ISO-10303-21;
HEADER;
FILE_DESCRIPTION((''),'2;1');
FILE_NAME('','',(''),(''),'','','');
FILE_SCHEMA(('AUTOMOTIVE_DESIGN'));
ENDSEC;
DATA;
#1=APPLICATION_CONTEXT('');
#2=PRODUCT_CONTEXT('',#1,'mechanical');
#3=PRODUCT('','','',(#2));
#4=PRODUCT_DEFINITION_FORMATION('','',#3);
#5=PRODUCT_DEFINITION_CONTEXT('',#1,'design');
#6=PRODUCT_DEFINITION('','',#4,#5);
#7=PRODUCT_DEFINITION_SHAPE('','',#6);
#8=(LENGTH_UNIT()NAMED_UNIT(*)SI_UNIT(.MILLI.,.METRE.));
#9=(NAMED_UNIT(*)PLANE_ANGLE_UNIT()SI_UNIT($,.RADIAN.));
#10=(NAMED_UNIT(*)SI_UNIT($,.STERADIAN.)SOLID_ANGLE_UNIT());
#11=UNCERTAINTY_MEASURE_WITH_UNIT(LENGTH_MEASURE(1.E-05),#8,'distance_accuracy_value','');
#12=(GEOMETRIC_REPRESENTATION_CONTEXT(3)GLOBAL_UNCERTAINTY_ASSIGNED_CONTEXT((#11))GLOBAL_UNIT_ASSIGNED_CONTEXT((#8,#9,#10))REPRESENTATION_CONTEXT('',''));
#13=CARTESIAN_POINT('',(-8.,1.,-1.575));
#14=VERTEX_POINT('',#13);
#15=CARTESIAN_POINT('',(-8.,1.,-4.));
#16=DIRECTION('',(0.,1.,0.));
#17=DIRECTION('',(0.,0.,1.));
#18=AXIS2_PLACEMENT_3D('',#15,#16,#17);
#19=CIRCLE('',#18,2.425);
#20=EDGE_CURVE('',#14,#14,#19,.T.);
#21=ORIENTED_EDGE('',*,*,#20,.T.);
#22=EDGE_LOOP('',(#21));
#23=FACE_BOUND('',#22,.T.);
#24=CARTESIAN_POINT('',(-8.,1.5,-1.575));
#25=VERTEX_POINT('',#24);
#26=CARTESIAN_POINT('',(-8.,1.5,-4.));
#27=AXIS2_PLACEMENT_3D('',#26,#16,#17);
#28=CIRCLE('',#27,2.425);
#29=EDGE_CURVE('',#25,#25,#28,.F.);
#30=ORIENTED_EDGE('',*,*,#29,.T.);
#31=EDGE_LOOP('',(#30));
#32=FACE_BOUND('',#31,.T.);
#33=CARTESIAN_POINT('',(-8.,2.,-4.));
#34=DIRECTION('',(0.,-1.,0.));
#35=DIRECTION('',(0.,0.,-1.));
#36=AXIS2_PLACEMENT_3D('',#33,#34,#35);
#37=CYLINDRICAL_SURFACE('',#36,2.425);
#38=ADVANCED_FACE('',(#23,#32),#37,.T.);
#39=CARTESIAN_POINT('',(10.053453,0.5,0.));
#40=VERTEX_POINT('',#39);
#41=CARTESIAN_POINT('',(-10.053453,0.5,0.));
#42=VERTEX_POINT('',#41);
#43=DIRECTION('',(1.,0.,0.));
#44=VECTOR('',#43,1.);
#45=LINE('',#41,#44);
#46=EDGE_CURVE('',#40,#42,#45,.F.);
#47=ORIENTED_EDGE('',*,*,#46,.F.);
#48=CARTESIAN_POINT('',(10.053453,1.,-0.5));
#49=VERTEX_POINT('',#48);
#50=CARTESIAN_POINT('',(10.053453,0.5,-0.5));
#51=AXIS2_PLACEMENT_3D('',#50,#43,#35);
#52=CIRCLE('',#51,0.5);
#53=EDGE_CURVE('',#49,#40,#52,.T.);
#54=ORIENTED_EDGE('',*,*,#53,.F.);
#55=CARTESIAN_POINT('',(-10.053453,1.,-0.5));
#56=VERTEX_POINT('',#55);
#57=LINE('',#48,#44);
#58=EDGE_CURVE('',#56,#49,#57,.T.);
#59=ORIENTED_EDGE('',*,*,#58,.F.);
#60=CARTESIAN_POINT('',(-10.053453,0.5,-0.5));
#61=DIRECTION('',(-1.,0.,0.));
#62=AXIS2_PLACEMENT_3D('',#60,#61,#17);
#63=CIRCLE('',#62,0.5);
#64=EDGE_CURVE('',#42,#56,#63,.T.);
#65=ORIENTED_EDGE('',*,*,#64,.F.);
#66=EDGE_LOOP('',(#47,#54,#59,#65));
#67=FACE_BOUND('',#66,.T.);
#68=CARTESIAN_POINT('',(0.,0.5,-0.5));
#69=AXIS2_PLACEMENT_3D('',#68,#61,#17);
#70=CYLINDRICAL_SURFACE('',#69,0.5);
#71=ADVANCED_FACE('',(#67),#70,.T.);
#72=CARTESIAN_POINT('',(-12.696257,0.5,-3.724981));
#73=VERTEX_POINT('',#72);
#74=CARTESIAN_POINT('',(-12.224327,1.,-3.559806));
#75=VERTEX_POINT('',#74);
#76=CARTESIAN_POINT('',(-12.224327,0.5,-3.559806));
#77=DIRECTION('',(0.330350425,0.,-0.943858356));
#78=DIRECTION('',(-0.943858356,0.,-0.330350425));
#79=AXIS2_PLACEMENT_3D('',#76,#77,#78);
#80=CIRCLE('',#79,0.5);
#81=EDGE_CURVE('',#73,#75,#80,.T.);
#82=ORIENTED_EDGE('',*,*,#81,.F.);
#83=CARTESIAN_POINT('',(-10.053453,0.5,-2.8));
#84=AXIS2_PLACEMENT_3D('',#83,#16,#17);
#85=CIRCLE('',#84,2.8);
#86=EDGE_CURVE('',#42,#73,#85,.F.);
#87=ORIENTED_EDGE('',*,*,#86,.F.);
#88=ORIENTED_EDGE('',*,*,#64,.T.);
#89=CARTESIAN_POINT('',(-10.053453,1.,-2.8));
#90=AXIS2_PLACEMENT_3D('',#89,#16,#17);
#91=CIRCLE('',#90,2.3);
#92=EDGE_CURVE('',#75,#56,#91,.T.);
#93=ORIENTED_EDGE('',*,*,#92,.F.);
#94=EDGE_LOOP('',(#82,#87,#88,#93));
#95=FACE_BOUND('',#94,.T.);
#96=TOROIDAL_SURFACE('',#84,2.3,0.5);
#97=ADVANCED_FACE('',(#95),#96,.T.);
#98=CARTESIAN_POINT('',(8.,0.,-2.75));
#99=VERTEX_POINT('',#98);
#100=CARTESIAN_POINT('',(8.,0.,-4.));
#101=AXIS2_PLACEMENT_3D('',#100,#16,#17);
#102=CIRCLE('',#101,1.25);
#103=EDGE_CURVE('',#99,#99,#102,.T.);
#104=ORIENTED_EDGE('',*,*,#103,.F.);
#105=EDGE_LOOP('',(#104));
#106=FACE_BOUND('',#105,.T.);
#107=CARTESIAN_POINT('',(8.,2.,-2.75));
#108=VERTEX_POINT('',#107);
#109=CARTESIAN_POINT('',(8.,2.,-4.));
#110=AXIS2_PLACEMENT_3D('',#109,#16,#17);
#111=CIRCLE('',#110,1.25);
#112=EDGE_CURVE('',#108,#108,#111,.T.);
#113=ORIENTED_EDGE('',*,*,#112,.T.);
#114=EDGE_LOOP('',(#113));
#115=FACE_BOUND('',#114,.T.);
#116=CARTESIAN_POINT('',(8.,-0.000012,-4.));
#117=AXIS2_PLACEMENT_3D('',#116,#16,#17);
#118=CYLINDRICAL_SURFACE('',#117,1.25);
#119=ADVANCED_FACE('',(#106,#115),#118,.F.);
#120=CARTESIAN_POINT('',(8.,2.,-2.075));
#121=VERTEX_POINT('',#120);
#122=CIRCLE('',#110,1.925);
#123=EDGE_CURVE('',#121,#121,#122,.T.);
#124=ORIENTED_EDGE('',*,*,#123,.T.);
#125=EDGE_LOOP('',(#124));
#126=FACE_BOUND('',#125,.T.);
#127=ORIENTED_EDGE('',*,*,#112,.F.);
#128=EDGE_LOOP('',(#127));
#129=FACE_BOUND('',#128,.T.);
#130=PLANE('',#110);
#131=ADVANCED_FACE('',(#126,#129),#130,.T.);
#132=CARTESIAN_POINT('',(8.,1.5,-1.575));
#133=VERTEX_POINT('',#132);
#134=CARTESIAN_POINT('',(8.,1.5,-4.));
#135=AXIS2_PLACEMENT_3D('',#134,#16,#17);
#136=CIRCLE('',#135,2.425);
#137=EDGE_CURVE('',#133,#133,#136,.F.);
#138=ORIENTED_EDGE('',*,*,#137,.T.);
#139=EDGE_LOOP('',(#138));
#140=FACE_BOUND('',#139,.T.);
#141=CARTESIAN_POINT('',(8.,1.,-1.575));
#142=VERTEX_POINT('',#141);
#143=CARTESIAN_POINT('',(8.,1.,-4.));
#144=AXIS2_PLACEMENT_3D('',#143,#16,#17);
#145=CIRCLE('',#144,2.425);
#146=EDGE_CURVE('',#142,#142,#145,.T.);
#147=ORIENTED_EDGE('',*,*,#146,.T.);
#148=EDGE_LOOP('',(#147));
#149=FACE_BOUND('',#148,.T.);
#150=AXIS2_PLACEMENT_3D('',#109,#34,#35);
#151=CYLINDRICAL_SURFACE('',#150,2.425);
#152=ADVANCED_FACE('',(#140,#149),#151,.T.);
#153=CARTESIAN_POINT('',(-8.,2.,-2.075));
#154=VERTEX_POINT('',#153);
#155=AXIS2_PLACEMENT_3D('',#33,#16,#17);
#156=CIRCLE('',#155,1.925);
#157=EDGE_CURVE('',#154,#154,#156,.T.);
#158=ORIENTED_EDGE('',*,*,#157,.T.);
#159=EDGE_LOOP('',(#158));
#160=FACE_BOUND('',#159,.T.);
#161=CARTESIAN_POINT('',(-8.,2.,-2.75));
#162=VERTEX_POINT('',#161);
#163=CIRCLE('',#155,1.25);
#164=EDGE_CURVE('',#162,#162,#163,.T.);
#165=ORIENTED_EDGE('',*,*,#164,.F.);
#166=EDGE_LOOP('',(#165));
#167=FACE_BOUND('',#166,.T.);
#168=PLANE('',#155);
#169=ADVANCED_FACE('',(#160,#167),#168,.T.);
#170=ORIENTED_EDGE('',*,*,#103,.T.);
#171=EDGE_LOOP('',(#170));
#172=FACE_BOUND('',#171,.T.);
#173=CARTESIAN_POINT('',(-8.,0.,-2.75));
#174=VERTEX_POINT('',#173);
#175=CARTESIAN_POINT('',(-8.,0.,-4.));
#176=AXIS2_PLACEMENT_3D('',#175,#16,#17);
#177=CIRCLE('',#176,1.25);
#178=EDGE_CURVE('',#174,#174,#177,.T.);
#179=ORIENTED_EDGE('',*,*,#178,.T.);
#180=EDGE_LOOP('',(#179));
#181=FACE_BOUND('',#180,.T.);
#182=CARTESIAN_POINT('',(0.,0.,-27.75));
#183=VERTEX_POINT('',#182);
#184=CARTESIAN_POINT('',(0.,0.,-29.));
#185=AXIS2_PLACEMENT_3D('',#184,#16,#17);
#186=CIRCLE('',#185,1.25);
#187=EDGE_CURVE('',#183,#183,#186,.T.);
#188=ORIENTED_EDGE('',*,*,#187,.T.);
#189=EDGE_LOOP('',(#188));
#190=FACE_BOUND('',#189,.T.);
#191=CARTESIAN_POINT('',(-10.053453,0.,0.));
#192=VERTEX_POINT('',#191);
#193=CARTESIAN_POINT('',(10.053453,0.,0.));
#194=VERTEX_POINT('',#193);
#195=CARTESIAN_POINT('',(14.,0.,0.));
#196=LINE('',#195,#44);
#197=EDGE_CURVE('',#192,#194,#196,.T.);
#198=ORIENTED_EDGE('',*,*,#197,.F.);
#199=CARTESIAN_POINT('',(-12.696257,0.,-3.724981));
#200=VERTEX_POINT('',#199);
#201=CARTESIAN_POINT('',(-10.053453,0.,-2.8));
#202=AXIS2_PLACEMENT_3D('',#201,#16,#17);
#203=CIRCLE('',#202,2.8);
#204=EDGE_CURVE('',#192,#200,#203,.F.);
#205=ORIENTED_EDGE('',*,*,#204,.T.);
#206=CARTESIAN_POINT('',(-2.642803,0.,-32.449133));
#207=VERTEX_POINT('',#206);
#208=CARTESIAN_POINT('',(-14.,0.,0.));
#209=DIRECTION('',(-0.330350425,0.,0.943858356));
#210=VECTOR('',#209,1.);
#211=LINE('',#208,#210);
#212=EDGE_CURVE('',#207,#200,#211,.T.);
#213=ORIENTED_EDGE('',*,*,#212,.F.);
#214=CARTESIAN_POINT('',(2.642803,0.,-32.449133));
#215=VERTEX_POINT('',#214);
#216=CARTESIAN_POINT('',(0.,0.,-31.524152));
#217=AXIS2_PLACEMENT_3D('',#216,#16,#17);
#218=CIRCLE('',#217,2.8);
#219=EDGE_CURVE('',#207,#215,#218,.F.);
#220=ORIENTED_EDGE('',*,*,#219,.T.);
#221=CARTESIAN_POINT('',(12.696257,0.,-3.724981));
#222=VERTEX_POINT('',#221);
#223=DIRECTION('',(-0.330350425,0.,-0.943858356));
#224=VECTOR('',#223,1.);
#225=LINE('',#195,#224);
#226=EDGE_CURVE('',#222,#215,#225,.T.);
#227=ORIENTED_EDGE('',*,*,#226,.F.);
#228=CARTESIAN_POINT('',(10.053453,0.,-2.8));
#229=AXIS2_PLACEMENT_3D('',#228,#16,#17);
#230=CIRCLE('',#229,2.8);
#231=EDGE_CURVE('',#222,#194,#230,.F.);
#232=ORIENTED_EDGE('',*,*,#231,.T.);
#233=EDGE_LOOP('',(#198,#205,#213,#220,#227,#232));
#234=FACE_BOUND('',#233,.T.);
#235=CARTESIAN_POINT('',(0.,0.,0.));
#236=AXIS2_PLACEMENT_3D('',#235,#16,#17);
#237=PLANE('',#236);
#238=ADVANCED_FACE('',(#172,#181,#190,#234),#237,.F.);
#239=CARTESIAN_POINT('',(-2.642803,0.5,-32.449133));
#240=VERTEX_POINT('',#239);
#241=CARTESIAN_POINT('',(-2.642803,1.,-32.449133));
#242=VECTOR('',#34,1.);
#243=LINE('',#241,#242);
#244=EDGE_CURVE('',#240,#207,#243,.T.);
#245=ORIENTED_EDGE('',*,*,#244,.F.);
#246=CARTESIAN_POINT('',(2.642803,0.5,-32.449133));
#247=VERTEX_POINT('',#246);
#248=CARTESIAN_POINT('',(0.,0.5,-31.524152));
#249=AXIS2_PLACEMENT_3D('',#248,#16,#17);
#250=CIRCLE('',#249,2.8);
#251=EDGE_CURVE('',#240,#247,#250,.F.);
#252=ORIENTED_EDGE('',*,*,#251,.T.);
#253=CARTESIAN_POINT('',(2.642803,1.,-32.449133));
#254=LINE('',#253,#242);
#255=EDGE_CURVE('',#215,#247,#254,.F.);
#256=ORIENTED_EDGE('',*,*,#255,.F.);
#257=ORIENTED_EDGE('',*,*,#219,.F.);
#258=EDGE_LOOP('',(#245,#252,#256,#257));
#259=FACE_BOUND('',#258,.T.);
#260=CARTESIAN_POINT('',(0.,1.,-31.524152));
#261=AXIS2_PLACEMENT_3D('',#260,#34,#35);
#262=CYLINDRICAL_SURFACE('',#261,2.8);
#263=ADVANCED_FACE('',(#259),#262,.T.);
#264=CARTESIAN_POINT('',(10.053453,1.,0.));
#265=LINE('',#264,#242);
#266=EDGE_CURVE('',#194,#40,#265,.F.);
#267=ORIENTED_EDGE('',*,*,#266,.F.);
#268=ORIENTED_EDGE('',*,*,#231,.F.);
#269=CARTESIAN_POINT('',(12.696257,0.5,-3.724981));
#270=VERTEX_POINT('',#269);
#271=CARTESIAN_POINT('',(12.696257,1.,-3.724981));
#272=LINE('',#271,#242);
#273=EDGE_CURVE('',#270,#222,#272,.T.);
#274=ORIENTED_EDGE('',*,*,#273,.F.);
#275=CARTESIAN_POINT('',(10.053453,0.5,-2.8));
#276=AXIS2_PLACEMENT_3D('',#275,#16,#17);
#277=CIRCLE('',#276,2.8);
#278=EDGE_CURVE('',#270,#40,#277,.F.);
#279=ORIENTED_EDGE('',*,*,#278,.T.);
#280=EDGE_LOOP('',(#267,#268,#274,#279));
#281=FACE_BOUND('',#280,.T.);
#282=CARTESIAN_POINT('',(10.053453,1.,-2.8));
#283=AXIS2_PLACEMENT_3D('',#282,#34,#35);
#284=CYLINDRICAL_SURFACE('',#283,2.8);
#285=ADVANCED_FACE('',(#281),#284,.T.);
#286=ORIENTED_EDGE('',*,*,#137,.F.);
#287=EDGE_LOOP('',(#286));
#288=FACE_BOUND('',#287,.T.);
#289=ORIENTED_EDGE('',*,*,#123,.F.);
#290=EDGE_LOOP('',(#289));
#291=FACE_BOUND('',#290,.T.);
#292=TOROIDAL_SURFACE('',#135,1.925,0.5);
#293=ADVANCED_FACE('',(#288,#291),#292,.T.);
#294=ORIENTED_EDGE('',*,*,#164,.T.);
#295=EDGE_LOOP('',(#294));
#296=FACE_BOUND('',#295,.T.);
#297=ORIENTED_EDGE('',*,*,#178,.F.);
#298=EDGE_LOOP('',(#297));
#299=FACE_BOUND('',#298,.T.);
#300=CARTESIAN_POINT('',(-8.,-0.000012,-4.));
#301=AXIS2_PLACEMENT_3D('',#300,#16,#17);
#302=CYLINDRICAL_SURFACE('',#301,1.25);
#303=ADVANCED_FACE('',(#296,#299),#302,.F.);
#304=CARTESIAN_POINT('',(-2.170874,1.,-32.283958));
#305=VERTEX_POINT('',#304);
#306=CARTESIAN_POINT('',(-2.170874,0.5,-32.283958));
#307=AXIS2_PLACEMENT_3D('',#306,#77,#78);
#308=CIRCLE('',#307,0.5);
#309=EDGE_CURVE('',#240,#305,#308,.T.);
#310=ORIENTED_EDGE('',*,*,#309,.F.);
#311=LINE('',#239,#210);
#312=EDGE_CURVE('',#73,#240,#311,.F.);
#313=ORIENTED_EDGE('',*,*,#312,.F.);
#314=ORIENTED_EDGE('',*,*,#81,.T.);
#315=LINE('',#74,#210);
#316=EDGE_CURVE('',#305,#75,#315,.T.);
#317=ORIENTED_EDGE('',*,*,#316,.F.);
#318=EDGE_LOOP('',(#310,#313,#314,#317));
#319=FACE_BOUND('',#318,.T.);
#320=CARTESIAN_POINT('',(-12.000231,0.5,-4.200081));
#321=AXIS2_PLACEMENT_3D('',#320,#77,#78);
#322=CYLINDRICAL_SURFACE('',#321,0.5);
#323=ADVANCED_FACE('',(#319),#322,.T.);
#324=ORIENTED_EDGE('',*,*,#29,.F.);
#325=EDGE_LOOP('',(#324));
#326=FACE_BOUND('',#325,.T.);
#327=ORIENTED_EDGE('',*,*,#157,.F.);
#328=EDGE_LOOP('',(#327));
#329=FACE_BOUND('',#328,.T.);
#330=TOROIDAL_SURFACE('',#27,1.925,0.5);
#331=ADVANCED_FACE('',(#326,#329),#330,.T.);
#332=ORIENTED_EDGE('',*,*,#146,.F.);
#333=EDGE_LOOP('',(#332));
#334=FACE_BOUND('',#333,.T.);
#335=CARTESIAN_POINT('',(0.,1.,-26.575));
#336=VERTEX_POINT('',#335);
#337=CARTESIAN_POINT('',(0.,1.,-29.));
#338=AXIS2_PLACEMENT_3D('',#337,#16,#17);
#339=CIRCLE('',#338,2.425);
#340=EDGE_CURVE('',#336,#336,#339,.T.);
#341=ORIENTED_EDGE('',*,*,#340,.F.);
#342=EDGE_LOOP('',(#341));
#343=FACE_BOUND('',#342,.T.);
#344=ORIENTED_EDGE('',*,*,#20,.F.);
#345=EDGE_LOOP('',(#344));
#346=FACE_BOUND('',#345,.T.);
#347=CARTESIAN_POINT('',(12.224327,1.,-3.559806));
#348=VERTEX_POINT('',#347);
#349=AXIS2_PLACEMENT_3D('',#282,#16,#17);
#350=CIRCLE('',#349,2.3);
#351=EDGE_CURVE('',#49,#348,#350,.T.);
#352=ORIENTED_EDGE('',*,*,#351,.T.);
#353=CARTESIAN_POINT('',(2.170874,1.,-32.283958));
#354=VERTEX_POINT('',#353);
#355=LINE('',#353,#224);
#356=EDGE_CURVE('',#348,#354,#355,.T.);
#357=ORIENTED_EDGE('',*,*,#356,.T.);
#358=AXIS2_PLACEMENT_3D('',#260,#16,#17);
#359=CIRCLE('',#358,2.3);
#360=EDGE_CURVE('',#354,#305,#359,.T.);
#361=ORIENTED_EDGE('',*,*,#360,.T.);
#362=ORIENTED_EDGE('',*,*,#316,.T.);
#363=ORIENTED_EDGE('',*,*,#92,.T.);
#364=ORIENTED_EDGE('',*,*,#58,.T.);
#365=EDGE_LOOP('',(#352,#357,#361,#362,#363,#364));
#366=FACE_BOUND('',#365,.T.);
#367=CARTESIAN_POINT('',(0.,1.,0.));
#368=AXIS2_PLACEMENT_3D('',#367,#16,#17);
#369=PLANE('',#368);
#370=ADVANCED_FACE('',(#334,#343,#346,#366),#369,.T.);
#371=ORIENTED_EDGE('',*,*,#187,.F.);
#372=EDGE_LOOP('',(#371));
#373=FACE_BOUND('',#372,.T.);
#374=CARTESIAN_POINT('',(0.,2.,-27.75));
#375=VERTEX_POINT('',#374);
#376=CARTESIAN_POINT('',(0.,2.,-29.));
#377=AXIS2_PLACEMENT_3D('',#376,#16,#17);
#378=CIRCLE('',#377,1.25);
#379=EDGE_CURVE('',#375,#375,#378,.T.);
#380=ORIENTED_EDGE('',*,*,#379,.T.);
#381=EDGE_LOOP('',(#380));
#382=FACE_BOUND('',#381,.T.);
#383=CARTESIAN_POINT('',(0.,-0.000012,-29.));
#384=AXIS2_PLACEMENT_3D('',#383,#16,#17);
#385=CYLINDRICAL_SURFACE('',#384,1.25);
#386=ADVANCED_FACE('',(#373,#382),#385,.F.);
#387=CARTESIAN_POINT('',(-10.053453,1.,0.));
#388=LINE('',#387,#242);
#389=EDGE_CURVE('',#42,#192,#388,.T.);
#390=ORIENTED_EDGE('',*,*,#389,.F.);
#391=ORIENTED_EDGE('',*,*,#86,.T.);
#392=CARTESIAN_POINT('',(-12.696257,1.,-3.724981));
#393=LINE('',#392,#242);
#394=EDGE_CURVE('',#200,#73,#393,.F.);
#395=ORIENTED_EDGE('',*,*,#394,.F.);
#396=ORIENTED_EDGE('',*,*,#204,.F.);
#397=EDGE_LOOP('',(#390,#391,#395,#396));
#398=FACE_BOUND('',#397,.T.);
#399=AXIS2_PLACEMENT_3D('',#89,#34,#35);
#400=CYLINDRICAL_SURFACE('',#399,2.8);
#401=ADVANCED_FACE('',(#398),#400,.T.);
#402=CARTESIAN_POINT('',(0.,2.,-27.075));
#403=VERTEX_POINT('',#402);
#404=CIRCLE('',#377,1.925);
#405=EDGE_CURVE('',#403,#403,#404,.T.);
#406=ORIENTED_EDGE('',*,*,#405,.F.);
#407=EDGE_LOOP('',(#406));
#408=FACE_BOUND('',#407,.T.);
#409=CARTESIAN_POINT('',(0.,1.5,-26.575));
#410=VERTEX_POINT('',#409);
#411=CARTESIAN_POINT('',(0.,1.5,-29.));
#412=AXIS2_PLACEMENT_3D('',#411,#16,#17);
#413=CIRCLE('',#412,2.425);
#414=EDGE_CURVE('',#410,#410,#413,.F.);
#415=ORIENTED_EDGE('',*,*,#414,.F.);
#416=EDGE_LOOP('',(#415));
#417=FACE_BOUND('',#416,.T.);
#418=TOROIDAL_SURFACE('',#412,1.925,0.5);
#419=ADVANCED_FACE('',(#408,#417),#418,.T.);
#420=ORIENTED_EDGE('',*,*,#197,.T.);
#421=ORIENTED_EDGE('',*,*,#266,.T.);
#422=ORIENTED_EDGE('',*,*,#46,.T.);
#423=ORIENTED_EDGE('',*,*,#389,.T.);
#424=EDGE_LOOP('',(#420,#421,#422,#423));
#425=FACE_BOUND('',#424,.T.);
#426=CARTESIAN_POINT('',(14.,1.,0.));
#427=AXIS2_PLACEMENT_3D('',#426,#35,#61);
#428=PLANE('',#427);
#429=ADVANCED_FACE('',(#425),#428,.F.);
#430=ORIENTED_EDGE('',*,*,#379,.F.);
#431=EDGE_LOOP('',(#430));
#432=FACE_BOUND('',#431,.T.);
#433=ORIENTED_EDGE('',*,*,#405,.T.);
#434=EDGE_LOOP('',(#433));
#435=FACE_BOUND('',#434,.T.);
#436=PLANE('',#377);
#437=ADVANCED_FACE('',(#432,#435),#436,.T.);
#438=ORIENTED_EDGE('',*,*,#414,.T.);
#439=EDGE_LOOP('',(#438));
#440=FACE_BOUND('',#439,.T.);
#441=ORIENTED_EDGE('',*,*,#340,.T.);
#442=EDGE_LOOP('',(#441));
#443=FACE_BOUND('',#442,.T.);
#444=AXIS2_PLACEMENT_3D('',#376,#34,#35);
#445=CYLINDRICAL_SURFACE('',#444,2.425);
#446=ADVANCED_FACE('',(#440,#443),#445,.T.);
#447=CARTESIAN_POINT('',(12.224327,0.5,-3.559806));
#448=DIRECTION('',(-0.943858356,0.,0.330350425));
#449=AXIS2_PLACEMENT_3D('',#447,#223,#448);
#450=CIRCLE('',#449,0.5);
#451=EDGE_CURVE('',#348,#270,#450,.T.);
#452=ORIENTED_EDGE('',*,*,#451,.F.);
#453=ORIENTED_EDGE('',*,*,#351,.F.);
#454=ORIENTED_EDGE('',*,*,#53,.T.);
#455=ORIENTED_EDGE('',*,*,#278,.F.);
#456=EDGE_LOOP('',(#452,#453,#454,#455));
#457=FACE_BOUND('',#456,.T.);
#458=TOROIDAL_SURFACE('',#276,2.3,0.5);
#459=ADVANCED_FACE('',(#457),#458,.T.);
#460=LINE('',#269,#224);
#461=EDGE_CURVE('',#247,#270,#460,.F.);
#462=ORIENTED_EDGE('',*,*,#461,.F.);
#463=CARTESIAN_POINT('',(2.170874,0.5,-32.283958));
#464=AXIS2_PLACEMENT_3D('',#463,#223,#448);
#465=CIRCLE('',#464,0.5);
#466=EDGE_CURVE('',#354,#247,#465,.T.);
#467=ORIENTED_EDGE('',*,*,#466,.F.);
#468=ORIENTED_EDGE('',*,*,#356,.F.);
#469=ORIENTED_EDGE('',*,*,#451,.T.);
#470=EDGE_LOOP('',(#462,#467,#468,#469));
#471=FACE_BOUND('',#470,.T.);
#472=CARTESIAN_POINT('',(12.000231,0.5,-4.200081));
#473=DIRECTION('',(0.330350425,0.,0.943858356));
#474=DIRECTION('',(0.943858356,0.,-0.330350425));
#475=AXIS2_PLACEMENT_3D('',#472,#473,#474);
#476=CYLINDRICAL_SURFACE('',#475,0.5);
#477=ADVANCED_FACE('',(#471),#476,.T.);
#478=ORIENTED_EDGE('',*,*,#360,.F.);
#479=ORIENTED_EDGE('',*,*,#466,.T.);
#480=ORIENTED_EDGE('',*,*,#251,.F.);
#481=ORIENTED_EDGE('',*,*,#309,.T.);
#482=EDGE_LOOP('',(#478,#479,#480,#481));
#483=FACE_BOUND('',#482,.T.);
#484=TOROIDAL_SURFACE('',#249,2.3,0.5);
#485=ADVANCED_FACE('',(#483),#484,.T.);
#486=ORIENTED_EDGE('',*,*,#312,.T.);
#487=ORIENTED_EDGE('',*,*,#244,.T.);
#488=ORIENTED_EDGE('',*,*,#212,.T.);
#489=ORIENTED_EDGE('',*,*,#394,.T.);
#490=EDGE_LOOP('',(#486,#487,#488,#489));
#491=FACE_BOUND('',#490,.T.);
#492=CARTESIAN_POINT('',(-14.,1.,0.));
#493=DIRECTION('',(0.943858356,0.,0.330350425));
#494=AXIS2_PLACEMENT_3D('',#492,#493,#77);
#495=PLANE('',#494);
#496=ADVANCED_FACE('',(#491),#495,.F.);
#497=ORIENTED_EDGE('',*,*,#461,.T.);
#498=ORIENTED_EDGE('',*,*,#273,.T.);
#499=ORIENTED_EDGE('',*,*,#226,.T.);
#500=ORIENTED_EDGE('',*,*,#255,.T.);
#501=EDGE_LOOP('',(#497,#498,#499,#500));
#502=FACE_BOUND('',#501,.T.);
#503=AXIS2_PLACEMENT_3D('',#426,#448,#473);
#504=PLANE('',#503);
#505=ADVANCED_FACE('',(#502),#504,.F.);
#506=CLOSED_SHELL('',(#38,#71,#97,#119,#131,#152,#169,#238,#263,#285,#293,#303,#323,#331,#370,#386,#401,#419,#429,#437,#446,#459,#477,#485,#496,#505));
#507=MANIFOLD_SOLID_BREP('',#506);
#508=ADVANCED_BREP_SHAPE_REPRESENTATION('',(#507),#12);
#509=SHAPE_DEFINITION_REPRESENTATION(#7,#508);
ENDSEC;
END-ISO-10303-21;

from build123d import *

# Parameters (mm, degrees)
BOSS_EXTRUDE1_DEPTH     = 1
BOSS_EXTRUDE3_START     = 1
SKETCH2_R               = 2.425
BOSS_EXTRUDE3_DEPTH     = 1
SKETCH3_R               = 1.25
CUT_EXTRUDE2_DEPTH      = 3
CUT_EXTRUDE2_DEPTH_BACK = 1
FILLET2_R               = 2.8
FILLET3_R               = 0.5


with BuildPart() as part:
    # Sketch1 → Boss-Extrude1 (new body)
    with BuildSketch(Plane(origin=(0, 0, 0), x_dir=(1, 0, 0), z_dir=(0, 1, 0))):
        Polygon((14, 0), (-14, 0), (0, 40), align=None)
    extrude(amount=BOSS_EXTRUDE1_DEPTH)

    # Sketch2 → Boss-Extrude3 (add)
    with BuildSketch(Plane(origin=(0, 0, 0), x_dir=(1, 0, 0), z_dir=(0, 1, 0)).offset(BOSS_EXTRUDE3_START)):
        with Locations((-8, 4)):
            Circle(SKETCH2_R)
        with Locations((0, 29)):
            Circle(SKETCH2_R)
        with Locations((8, 4)):
            Circle(SKETCH2_R)
    extrude(amount=BOSS_EXTRUDE3_DEPTH)

    # Sketch3 → Cut-Extrude2 (cut, two sides)
    with BuildSketch(Plane(origin=(0, 0, 0), x_dir=(1, 0, 0), z_dir=(0, 1, 0))) as cut_extrude2_sk:
        with Locations((0, 29)):
            Circle(SKETCH3_R)
        with Locations((-8, 4)):
            Circle(SKETCH3_R)
        with Locations((8, 4)):
            Circle(SKETCH3_R)
    extrude(amount=CUT_EXTRUDE2_DEPTH, mode=Mode.SUBTRACT)
    extrude(cut_extrude2_sk.sketch, amount=-CUT_EXTRUDE2_DEPTH_BACK, mode=Mode.SUBTRACT)

    # Fillet2
    fillet2_edges = [part.edges().sort_by_distance(p)[0] for p in [
        (0, 0.5, -40),
        (14, 0.5, 0),
        (-14, 0.5, 0),
    ]]
    fillet(fillet2_edges, radius=FILLET2_R)

    # Fillet3
    fillet3_edges = [part.edges().sort_by_distance(p)[0] for p in [
        (-10.425, 2, -4),
        (-2.425, 2, -29),
        (5.575, 2, -4),
        (-7.669529991, 1, -18.087057169),
        (7.669529991, 1, -18.087057169),
        (0, 1, 0),
        (-12.337084869, 1, -1.179806698),
        (12.337084869, 1, -1.179806698),
        (0, 1, -34.32415196),
    ]]
    fillet(fillet3_edges, radius=FILLET3_R)


solid = part.part
